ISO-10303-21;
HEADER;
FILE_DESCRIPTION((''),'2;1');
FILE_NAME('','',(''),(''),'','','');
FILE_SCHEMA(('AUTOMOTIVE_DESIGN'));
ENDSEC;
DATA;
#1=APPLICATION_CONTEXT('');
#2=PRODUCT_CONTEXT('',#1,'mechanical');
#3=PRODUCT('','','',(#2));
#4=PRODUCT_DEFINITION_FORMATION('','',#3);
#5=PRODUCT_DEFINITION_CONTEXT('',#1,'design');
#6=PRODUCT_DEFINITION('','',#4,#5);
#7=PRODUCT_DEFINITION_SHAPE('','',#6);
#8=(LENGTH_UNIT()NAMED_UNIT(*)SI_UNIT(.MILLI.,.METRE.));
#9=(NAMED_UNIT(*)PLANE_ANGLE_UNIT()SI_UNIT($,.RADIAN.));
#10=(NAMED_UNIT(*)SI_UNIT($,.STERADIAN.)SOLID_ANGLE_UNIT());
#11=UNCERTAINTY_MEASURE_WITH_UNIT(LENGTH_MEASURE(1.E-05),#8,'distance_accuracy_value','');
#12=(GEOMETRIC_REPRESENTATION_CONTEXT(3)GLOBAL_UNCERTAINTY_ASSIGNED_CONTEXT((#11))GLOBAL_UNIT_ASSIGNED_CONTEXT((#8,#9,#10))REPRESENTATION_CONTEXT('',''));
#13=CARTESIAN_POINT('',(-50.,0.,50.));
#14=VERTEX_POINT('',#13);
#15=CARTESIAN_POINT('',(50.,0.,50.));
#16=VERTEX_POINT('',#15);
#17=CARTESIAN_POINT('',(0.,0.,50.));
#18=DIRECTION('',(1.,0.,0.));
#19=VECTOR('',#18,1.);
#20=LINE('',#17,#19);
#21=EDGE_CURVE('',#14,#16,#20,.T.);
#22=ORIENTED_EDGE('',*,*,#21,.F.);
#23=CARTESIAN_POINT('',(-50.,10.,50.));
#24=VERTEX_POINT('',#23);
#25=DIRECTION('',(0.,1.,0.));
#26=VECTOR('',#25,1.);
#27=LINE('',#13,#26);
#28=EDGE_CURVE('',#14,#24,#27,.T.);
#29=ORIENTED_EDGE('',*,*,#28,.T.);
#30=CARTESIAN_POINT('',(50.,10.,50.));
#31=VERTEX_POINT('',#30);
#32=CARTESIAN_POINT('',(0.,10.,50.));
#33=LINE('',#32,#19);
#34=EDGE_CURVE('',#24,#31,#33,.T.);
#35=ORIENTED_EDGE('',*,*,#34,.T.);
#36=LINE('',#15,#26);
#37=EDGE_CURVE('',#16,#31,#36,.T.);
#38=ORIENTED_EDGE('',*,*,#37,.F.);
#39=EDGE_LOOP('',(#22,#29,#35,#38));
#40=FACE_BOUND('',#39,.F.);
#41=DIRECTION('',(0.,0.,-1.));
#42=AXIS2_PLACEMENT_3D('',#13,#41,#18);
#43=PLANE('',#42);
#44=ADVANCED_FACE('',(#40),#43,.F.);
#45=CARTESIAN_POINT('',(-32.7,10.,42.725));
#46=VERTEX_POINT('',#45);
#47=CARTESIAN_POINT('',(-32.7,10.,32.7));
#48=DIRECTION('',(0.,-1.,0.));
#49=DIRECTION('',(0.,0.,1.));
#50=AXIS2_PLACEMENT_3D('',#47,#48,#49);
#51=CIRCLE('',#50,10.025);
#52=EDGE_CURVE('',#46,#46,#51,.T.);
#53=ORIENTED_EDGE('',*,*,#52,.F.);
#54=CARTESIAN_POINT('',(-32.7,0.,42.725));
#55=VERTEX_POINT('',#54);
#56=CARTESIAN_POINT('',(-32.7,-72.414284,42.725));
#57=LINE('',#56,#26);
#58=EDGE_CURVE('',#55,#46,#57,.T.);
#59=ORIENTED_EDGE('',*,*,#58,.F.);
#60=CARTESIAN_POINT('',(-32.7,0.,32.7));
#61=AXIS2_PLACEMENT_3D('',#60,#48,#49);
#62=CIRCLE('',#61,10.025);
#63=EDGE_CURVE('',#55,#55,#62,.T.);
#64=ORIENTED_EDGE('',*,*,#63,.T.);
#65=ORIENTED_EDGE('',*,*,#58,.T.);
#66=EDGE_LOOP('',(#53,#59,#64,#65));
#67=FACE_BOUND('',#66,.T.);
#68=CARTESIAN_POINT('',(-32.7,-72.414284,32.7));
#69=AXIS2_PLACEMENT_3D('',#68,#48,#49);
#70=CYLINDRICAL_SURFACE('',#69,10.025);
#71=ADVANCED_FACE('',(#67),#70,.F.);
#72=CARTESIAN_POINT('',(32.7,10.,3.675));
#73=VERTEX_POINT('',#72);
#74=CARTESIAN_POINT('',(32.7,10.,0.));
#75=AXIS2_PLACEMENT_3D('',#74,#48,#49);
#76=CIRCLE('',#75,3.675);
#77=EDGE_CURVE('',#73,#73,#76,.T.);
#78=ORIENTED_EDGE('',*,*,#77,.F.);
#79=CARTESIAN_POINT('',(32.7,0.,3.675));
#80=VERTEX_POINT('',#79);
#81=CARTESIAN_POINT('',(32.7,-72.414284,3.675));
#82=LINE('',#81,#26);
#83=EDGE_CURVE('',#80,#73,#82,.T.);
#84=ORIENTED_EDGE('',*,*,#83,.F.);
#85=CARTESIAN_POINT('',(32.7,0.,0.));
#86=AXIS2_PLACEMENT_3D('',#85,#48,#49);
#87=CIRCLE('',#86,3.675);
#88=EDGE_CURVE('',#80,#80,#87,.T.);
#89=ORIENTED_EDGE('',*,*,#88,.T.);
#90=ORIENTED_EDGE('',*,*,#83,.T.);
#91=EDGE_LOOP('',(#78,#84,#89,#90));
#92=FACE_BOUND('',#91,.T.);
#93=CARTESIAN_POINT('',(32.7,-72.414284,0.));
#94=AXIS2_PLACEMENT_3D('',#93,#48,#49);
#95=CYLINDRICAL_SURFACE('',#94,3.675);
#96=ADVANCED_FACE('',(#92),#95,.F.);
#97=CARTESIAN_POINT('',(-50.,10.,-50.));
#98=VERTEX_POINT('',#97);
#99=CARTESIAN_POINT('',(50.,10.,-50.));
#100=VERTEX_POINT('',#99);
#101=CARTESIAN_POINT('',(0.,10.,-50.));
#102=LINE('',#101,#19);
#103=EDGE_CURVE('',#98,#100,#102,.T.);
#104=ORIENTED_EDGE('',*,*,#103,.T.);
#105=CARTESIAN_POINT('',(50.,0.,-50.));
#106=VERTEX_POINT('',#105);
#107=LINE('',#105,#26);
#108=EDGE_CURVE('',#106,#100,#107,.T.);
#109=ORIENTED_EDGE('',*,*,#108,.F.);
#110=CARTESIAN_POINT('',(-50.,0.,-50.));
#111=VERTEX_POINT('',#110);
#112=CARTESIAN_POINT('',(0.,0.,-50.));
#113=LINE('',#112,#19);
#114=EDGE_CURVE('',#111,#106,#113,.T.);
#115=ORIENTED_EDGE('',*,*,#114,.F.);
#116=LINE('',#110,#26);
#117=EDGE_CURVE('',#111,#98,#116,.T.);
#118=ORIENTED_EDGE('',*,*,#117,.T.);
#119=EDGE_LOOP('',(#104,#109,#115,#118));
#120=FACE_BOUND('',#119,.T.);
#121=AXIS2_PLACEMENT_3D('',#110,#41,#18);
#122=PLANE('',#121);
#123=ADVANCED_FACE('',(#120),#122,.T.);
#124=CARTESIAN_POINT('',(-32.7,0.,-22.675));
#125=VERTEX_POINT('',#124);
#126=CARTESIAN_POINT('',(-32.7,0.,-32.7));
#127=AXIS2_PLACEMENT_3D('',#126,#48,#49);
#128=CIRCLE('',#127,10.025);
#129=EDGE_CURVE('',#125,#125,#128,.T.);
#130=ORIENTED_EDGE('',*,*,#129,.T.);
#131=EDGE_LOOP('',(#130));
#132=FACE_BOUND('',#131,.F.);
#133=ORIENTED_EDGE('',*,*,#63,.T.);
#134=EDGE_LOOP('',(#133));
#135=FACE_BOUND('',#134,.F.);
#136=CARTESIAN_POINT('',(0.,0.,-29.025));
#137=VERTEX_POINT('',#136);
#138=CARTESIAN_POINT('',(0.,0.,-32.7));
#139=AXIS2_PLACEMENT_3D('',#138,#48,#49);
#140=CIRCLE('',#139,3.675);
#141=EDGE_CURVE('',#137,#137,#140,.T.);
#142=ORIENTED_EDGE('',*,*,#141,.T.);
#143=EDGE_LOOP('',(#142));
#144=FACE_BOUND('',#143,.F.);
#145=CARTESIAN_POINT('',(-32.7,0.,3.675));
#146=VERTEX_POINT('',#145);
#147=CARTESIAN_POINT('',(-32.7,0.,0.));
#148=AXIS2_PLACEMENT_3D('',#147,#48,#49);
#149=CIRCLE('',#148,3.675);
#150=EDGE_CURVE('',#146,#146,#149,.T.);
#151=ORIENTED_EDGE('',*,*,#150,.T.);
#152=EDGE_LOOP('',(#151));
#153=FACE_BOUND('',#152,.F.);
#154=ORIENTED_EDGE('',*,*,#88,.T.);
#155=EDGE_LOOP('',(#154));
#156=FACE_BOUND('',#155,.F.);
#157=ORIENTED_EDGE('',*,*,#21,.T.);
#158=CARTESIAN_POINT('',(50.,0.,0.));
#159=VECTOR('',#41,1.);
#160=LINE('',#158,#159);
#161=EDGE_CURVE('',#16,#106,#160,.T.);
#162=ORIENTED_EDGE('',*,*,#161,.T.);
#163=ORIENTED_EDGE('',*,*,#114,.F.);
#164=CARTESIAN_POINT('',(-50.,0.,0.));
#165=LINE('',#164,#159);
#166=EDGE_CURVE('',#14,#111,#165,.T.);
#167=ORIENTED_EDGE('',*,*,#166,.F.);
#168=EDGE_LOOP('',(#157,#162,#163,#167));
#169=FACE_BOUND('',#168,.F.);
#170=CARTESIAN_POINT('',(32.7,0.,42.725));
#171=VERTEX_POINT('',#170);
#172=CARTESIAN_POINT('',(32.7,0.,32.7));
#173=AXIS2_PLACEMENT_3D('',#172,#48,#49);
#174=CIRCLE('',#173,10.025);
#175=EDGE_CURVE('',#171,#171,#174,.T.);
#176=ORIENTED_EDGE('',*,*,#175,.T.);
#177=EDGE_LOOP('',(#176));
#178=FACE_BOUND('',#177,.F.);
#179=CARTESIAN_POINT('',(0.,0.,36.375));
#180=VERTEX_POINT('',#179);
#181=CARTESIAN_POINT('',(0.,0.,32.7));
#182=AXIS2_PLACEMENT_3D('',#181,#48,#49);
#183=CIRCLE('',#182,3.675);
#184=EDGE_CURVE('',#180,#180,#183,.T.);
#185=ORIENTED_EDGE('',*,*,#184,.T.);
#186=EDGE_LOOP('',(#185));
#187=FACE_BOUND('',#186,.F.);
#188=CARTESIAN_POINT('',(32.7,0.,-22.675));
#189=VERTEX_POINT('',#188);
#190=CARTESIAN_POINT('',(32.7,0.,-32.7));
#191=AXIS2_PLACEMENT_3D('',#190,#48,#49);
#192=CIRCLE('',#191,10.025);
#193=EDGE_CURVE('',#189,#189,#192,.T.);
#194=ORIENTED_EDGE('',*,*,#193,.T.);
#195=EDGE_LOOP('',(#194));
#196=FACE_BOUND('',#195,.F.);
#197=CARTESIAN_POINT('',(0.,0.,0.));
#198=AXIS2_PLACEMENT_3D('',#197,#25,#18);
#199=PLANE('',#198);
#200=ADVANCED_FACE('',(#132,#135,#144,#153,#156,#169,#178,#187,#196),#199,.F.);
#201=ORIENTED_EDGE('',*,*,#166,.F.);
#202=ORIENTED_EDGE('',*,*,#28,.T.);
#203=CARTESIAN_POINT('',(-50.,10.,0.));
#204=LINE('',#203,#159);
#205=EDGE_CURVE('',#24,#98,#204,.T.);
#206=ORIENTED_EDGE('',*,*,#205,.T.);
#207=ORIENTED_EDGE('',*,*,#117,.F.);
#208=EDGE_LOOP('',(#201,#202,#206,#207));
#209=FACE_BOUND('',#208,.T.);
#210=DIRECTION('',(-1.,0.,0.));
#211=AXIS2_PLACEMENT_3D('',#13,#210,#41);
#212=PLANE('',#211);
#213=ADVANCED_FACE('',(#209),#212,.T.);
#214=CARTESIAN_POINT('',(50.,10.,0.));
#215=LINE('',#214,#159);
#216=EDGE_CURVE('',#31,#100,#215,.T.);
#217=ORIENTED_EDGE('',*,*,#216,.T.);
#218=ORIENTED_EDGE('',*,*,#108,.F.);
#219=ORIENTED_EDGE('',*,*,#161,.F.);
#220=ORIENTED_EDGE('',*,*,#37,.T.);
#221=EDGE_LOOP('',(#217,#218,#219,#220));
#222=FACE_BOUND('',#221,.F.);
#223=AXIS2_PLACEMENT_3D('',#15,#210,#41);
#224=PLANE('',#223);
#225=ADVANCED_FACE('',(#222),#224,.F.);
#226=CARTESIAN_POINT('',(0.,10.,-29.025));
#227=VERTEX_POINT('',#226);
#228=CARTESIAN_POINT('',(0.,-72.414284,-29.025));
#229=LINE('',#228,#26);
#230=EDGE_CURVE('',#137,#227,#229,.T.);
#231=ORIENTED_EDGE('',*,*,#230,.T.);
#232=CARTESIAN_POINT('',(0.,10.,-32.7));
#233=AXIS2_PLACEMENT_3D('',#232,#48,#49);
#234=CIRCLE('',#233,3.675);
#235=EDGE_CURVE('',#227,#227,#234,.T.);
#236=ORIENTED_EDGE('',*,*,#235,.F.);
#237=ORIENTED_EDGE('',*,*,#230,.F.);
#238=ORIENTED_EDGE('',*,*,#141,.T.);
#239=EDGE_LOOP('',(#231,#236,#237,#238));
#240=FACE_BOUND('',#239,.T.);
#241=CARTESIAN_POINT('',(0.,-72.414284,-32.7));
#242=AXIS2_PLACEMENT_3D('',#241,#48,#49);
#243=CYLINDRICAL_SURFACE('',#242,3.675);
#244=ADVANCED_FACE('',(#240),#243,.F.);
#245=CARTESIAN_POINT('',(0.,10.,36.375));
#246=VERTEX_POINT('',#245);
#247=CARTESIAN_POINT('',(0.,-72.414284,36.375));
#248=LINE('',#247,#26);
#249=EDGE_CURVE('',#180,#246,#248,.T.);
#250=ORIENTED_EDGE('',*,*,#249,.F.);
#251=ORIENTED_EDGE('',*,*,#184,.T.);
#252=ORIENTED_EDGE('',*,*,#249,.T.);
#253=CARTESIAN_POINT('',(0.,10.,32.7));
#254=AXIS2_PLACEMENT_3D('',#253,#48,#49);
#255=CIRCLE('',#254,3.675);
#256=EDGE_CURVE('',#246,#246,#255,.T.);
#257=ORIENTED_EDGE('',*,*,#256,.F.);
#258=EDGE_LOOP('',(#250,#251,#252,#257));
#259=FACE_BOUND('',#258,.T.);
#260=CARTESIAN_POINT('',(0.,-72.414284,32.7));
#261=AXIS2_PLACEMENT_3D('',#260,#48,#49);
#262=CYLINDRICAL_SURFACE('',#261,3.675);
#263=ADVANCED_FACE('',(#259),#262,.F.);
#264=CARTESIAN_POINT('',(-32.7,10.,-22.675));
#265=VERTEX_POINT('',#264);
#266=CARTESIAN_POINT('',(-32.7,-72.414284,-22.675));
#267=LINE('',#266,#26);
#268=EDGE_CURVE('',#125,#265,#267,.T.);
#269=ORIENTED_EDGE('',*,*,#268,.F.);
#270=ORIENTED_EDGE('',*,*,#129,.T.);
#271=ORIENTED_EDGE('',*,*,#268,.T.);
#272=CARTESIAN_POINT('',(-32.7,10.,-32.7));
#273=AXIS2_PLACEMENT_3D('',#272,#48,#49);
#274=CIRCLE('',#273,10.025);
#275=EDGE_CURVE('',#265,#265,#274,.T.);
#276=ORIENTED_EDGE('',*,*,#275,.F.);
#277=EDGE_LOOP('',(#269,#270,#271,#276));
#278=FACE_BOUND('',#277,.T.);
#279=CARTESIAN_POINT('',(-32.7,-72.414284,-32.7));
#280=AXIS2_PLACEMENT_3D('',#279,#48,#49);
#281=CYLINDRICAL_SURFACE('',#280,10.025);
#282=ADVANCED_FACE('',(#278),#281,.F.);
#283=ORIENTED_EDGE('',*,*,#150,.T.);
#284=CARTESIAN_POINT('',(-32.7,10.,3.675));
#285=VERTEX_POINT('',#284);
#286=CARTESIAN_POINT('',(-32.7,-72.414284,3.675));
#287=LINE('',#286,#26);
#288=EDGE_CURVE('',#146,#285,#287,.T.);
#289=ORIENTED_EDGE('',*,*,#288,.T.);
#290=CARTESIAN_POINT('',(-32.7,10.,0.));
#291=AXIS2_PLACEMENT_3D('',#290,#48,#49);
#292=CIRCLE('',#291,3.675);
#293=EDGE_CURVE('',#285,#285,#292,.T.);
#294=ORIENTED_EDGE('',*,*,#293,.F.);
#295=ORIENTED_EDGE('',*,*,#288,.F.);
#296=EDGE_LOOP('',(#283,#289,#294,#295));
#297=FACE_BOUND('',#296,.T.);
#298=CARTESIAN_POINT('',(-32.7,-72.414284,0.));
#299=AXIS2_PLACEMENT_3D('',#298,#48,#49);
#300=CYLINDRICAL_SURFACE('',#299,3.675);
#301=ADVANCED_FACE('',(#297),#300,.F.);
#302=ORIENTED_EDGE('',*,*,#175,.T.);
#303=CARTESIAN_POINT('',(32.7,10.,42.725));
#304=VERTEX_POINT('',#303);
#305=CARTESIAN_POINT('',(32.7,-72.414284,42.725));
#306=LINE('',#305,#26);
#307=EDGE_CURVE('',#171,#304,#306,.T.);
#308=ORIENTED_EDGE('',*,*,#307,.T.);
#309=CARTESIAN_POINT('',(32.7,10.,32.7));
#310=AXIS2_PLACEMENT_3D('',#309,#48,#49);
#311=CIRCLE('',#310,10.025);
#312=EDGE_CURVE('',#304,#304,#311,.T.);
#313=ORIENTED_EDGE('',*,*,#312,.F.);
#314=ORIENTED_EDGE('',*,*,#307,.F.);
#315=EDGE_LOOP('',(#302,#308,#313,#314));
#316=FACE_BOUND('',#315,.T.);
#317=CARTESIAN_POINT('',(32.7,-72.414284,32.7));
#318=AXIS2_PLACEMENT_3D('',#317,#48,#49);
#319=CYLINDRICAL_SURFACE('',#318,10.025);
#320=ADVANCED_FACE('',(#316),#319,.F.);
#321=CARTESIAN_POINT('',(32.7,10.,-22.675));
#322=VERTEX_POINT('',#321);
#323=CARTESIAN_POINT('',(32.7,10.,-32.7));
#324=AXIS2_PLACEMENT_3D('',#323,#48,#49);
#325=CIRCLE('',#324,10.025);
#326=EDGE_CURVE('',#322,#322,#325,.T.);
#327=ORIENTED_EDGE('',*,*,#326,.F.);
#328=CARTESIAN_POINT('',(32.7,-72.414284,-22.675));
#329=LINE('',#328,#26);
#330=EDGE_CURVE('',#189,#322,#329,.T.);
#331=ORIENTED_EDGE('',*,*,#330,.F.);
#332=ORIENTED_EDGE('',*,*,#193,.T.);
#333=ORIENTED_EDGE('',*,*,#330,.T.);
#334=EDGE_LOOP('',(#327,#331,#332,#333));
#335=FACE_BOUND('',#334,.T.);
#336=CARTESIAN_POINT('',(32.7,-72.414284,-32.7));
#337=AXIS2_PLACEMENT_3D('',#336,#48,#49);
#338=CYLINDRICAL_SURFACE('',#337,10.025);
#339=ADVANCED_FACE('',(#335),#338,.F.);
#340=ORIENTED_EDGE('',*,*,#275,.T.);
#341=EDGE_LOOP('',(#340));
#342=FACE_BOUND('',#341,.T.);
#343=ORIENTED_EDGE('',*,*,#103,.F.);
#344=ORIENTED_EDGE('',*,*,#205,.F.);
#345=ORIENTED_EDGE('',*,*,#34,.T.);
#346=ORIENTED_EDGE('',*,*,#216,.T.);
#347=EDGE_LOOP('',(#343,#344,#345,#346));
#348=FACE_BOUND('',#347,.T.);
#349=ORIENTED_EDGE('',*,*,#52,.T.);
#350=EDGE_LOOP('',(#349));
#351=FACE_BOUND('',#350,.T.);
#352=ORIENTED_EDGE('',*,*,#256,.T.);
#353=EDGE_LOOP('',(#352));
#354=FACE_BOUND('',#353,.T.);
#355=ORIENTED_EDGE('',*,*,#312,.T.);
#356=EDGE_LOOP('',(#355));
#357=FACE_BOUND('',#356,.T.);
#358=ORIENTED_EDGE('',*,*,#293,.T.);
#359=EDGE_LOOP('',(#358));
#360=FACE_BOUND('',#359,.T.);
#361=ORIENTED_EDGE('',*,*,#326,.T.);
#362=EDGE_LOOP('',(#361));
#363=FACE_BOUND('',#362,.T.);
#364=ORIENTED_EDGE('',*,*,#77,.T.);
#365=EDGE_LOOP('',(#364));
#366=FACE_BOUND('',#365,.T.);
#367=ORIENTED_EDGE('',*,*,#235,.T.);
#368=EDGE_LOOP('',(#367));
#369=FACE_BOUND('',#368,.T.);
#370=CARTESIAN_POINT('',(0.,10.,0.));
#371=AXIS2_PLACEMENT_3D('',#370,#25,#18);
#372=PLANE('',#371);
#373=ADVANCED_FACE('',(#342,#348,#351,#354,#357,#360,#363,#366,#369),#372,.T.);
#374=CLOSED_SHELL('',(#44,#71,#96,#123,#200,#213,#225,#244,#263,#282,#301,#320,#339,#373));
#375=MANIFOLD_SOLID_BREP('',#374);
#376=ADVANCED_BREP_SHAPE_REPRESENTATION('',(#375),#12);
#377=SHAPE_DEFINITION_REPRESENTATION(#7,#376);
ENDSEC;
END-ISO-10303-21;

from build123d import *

# Parameters (mm, degrees)
SKETCH1_W               = 100
SKETCH1_H               = 100
BOSS_EXTRUDE1_DEPTH     = 10
CUT_EXTRUDE3_DEPTH      = 72.414284285
CUT_EXTRUDE3_DEPTH_BACK = 72.414284285
SKETCH3_R               = 10.025
SKETCH3_R_2             = 3.675


with BuildPart() as part:
    # Sketch1 → Boss-Extrude1 (new body)
    with BuildSketch(Plane(origin=(0, 0, 0), x_dir=(1, 0, 0), z_dir=(0, 1, 0))):
        Rectangle(SKETCH1_W, SKETCH1_H)
    extrude(amount=BOSS_EXTRUDE1_DEPTH)

    # Sketch3 → Cut-Extrude3 (cut, two sides: drawn at the far end of the back side and taken through both)
    with BuildSketch(Plane(origin=(0, 0, 0), x_dir=(1, 0, 0), z_dir=(0, 1, 0)).offset(-CUT_EXTRUDE3_DEPTH_BACK)):
        with Locations(Location((-32.7, 32.7, 0), (0, 0, 270))):
            Circle(SKETCH3_R)
        with Locations(Location((32.7, 32.7, 0), (0, 0, 270))):
            Circle(SKETCH3_R)
        with Locations(Location((32.7, -32.7, 0), (0, 0, 270))):
            Circle(SKETCH3_R)
        with Locations(Location((-32.7, -32.7, 0), (0, 0, 270))):
            Circle(SKETCH3_R)
        with Locations(Location((0, 32.7, 0), (0, 0, 270))):
            Circle(SKETCH3_R_2)
        with Locations(Location((32.7, 0, 0), (0, 0, 270))):
            Circle(SKETCH3_R_2)
        with Locations(Location((0, -32.7, 0), (0, 0, 270))):
            Circle(SKETCH3_R_2)
        with Locations(Location((-32.7, 0, 0), (0, 0, 270))):
            Circle(SKETCH3_R_2)
    extrude(amount=CUT_EXTRUDE3_DEPTH + CUT_EXTRUDE3_DEPTH_BACK, mode=Mode.SUBTRACT)


solid = part.part
